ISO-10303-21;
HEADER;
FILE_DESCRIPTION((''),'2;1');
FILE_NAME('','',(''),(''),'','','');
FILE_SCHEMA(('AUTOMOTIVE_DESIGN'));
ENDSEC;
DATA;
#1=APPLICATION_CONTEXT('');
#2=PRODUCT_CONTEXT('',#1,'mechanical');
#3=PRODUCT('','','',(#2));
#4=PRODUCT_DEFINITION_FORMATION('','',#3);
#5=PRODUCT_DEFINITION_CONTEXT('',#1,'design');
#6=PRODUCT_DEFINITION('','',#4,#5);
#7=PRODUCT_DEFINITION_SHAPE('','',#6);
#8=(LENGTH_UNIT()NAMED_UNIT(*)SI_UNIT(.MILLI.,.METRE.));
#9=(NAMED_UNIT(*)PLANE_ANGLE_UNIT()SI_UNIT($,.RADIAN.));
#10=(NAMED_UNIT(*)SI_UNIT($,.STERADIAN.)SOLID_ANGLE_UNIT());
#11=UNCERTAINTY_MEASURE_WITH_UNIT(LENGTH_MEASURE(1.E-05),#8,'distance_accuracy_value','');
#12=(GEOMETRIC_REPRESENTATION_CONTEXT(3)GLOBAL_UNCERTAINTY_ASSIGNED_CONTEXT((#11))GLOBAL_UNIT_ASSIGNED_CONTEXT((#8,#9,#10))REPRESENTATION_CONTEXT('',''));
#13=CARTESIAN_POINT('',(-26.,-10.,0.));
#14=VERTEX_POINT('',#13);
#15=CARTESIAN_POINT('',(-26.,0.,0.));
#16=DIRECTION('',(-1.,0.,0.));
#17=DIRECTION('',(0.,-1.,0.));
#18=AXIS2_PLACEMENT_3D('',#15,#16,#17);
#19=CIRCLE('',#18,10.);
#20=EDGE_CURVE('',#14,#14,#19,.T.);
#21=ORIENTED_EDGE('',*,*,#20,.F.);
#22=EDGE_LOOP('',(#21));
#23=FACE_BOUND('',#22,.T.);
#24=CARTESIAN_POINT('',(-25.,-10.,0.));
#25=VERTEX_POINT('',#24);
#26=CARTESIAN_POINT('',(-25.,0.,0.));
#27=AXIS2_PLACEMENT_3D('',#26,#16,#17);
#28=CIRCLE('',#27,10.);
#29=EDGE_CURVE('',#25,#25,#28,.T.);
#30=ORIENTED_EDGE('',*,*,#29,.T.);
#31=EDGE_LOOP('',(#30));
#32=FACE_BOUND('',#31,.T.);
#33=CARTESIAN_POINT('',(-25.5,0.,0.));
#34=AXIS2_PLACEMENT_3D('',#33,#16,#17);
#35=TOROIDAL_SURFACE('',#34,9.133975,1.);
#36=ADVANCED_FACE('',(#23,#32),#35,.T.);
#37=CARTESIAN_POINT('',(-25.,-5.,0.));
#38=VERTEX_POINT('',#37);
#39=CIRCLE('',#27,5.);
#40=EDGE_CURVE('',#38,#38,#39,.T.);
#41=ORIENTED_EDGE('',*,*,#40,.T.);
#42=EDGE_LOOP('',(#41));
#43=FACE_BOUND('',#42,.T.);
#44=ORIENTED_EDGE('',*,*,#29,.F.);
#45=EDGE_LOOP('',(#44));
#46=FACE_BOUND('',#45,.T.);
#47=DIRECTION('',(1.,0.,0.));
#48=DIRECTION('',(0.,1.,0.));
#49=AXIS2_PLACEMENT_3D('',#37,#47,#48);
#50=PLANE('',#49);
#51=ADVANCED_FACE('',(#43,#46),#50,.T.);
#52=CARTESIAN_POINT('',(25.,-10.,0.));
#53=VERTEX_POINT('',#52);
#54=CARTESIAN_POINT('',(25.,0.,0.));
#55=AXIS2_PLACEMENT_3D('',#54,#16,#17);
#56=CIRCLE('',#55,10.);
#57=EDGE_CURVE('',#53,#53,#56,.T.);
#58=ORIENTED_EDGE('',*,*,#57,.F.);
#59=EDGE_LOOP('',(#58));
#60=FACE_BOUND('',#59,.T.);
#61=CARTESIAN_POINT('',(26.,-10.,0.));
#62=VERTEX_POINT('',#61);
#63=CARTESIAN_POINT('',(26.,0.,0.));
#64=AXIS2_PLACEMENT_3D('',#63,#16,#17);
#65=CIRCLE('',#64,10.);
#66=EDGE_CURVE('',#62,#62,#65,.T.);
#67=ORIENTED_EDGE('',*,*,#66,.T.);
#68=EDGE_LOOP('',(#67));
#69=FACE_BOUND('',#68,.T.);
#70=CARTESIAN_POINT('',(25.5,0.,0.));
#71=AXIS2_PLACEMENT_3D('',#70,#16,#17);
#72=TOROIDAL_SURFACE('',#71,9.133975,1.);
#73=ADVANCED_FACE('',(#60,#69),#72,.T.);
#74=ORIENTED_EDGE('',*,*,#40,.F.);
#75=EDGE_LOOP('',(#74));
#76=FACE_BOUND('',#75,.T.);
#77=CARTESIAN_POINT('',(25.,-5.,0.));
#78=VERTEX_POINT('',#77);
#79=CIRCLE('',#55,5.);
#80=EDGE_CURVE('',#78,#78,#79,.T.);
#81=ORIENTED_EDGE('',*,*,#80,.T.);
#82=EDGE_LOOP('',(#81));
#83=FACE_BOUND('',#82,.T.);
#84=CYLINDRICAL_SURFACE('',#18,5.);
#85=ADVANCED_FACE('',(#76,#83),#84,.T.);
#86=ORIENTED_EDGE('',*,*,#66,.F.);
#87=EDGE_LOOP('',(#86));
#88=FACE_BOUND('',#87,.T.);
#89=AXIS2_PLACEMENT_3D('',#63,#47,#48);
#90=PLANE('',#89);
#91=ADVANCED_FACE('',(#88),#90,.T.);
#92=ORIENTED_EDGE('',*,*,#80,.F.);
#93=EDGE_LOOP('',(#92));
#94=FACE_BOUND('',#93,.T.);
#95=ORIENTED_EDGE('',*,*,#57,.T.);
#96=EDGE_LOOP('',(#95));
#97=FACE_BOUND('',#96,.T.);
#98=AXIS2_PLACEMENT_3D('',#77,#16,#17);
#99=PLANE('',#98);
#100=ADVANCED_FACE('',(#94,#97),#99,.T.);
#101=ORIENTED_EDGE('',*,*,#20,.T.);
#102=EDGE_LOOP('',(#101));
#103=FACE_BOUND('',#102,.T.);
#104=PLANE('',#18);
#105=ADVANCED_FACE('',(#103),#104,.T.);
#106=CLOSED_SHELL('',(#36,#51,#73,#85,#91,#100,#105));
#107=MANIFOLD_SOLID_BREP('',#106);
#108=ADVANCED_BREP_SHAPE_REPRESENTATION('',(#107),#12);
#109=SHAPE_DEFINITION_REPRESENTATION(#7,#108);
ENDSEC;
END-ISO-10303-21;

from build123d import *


with BuildPart() as part:
    # Sketch1 → Revolve1 (revolve)
    with BuildSketch(Plane.XY):
        with BuildLine():
            Line((-26, 0), (26, 0))
            Line((26, 0), (26, -10))
            ThreePointArc((26, -10), (25.5, -10.133974596), (25, -10))
            Line((25, -10), (25, -5))
            Line((25, -5), (-25, -5))
            Line((-25, -5), (-25, -10))
            ThreePointArc((-25, -10), (-25.5, -10.133974596), (-26, -10))
            Line((-26, -10), (-26, 0))
        make_face()
    revolve(axis=Axis((-26, 0, 0), (1, 0, 0)))


solid = part.part
